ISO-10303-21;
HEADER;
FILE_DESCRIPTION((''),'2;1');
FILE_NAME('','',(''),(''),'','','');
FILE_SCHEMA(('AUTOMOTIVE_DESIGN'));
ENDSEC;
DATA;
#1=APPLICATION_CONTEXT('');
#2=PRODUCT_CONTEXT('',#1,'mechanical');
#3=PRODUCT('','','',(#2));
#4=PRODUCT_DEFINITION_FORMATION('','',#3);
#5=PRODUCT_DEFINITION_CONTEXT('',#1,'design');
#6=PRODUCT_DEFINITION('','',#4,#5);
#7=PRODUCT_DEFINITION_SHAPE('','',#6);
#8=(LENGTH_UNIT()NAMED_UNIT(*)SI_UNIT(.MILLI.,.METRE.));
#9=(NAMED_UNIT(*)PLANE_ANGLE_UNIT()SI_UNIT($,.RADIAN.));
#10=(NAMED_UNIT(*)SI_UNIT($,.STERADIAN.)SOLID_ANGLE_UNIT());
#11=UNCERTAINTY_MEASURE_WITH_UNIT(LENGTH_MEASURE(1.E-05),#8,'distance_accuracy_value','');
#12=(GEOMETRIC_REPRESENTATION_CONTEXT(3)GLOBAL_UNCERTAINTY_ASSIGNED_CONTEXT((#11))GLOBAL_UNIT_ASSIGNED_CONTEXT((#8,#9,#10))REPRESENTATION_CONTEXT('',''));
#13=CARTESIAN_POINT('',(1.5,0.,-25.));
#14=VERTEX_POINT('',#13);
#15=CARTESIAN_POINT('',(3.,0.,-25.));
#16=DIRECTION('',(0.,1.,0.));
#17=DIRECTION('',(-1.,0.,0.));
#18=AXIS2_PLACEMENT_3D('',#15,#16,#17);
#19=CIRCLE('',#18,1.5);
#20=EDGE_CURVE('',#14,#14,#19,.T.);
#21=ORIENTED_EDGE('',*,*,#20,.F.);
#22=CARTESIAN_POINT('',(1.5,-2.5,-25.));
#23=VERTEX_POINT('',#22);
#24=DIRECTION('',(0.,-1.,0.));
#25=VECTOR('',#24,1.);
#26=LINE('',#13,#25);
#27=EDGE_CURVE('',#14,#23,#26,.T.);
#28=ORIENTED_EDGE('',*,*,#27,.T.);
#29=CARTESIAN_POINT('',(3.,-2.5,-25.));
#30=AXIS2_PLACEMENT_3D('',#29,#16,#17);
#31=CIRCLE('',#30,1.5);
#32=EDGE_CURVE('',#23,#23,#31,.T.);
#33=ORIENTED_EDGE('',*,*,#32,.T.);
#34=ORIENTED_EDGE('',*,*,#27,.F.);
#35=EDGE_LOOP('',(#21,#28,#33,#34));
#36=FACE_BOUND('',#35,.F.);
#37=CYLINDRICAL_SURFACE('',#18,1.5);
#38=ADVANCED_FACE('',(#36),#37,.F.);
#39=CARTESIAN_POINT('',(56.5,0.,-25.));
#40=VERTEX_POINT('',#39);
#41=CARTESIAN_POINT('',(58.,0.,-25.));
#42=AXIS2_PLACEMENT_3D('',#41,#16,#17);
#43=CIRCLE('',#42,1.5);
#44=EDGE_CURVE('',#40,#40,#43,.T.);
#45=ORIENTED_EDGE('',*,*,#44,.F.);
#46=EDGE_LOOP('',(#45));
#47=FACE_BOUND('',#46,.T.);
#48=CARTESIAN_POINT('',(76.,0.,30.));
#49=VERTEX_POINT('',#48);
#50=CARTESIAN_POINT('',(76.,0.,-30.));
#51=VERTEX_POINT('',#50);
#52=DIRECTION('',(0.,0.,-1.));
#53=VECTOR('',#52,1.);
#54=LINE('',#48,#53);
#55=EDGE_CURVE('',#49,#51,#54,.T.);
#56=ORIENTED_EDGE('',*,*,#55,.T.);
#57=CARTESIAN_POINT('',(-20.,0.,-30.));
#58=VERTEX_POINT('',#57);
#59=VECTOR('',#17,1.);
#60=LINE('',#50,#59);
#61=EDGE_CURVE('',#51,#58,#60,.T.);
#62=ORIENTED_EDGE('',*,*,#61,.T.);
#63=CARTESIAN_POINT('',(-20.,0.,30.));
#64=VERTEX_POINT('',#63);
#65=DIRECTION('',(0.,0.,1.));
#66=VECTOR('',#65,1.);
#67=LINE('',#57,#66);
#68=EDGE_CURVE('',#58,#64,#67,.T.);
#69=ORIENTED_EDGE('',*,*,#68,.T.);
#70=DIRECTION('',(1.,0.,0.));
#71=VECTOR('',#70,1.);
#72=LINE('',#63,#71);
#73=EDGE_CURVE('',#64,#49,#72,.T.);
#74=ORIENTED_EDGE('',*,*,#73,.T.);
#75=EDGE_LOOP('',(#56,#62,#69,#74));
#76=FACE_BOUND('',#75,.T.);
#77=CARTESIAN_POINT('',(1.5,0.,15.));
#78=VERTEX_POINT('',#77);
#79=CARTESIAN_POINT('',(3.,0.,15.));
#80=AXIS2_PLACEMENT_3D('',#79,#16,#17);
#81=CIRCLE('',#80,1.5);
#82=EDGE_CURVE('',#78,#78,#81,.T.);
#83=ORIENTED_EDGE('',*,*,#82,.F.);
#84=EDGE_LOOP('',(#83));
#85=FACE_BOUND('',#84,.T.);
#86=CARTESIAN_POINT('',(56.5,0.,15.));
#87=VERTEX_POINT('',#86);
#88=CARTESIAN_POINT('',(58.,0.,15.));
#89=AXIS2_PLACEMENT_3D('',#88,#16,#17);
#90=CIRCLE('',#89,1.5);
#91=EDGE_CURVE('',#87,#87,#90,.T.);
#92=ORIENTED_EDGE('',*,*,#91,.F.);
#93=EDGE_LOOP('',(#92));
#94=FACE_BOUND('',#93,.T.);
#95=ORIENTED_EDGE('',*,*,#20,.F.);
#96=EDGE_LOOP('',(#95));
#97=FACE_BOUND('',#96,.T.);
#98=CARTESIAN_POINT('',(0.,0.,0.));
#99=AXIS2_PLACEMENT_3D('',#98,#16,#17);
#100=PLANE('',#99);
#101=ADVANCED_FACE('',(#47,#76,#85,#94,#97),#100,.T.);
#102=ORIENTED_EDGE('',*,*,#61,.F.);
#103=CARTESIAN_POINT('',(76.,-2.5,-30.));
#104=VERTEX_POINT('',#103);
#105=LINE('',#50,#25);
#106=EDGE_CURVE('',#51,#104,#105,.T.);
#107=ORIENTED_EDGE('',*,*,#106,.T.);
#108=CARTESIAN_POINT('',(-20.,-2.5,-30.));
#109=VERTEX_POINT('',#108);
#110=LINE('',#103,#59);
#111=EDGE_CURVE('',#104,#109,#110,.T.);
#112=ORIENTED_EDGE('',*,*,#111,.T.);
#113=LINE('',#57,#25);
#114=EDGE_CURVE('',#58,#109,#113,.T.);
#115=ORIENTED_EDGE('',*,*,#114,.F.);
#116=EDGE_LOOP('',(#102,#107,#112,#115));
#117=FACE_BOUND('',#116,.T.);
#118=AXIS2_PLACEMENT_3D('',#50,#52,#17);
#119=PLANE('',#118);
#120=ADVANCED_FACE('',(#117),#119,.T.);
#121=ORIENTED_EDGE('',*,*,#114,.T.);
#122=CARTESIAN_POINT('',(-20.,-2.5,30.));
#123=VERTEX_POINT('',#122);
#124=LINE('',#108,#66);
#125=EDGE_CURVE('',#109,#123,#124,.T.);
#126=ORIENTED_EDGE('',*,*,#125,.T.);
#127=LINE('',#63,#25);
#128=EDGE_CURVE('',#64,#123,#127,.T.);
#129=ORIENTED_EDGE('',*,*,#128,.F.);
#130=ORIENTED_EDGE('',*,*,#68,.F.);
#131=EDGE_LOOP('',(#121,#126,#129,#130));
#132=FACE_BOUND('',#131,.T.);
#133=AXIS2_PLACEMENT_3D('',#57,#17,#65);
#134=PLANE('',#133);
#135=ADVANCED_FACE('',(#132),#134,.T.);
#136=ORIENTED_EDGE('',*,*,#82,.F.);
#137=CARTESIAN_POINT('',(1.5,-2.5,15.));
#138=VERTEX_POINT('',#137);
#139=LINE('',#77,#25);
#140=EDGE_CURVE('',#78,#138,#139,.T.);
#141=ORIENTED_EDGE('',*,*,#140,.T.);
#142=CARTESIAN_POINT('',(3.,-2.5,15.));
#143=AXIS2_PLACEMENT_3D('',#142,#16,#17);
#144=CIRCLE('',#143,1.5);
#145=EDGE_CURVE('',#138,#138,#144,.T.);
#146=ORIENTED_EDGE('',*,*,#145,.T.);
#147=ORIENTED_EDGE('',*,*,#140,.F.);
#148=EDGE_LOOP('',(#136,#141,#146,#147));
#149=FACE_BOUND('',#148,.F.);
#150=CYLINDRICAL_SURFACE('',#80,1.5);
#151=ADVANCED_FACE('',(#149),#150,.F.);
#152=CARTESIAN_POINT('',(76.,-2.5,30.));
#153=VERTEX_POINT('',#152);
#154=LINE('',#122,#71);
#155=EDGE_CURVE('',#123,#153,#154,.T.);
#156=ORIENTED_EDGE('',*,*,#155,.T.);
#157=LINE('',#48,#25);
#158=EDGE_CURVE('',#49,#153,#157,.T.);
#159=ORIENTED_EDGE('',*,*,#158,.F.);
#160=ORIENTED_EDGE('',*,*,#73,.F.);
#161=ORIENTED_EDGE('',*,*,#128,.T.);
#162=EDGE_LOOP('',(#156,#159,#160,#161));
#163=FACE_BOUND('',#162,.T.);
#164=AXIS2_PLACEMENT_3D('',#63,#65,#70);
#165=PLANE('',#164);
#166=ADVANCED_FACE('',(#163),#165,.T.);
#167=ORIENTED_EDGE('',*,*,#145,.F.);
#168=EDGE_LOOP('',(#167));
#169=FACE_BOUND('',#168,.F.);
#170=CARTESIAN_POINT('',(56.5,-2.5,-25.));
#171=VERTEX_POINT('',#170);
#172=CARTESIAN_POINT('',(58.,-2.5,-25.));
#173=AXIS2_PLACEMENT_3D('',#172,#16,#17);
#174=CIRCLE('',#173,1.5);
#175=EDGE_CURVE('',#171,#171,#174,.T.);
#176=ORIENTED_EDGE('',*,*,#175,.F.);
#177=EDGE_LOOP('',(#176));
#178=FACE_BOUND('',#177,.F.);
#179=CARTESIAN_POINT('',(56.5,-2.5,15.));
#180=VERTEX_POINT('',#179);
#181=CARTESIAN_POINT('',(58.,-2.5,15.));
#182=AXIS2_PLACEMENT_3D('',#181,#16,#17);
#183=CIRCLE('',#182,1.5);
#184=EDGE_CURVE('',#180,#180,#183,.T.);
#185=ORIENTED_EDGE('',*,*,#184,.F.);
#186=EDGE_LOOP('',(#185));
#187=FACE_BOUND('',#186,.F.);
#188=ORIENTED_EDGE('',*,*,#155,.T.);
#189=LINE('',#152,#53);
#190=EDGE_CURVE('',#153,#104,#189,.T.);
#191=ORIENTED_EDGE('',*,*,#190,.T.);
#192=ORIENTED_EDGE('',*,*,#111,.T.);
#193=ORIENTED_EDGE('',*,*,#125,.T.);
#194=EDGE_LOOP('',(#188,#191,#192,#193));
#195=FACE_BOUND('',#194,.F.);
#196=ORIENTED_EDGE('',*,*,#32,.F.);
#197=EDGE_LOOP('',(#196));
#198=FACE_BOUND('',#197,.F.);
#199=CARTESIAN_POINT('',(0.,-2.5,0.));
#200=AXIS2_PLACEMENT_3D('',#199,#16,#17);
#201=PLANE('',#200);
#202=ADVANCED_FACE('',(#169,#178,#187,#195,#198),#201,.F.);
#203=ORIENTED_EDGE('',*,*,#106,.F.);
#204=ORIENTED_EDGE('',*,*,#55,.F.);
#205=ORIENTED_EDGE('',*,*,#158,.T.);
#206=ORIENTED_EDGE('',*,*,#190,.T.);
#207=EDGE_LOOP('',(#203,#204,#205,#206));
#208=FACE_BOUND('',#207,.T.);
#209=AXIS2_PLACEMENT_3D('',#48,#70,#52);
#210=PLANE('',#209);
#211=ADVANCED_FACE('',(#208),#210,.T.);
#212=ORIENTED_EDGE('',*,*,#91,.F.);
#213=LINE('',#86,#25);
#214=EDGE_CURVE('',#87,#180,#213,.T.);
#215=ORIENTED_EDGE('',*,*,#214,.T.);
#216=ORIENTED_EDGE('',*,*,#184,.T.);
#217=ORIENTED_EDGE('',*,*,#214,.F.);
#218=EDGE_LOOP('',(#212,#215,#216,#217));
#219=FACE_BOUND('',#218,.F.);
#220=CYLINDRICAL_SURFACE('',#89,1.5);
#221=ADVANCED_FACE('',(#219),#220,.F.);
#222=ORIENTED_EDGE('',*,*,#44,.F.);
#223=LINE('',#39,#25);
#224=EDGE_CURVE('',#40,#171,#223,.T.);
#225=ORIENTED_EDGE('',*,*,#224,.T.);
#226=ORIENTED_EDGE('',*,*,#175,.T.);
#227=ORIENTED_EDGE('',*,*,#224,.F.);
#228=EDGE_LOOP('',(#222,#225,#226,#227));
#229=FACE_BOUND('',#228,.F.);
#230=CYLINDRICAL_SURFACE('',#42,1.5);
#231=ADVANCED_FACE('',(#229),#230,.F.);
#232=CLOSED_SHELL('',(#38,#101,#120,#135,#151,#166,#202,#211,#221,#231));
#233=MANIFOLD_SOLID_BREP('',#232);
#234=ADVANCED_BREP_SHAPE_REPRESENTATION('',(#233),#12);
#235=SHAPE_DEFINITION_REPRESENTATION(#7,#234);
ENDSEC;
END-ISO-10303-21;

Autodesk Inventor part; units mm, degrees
ref_plane "YZ Plane" through (0, 0, 0) normal (1, 0, 0) x (0, 1, 0)
ref_plane "XZ Plane" through (0, 0, 0) normal (0, 1, 0) x (-1, 0, 0)
ref_plane "XY Plane" through (0, 0, 0) normal (0, 0, 1) x (1, 0, 0)
sketch "Boceto1" plane through (0, 0, 0) normal (0, 1, 0) x (-1, 0, 0)
  line L0 (20, 30) -> (-76, 30)
  line L1 (-76, 30) -> (-76, -30)
  line L2 (-76, -30) -> (20, -30)
  line L3 (20, -30) -> (20, 30)
  line L4 (-3, -25) -> (-58, -25) construction
  line L5 (-58, -25) -> (-58, 15) construction
  line L6 (-58, 15) -> (-3, 15) construction
  line L7 (-3, 15) -> (-3, -25) construction
  circle A0 centre (-58, -25) radius 1.5
  circle A1 centre (-3, -25) radius 1.5
  circle A2 centre (-3, 15) radius 1.5
  circle A3 centre (-58, 15) radius 1.5
  point P0 (0, 0)
  point P1 (20, 0)
  dimension "d0" = 3
  dimension "d1" = 60
  dimension "d2" = 18
  dimension "d5" = 96
  dimension "d6" = 20
  dimension "d7" = 15
  dimension "d8" = 5
  dimension "d9" = 55
extrude "Extrusión1" add sketch "Boceto1" against normal blind 2.5
properties part number "placa circuito"
